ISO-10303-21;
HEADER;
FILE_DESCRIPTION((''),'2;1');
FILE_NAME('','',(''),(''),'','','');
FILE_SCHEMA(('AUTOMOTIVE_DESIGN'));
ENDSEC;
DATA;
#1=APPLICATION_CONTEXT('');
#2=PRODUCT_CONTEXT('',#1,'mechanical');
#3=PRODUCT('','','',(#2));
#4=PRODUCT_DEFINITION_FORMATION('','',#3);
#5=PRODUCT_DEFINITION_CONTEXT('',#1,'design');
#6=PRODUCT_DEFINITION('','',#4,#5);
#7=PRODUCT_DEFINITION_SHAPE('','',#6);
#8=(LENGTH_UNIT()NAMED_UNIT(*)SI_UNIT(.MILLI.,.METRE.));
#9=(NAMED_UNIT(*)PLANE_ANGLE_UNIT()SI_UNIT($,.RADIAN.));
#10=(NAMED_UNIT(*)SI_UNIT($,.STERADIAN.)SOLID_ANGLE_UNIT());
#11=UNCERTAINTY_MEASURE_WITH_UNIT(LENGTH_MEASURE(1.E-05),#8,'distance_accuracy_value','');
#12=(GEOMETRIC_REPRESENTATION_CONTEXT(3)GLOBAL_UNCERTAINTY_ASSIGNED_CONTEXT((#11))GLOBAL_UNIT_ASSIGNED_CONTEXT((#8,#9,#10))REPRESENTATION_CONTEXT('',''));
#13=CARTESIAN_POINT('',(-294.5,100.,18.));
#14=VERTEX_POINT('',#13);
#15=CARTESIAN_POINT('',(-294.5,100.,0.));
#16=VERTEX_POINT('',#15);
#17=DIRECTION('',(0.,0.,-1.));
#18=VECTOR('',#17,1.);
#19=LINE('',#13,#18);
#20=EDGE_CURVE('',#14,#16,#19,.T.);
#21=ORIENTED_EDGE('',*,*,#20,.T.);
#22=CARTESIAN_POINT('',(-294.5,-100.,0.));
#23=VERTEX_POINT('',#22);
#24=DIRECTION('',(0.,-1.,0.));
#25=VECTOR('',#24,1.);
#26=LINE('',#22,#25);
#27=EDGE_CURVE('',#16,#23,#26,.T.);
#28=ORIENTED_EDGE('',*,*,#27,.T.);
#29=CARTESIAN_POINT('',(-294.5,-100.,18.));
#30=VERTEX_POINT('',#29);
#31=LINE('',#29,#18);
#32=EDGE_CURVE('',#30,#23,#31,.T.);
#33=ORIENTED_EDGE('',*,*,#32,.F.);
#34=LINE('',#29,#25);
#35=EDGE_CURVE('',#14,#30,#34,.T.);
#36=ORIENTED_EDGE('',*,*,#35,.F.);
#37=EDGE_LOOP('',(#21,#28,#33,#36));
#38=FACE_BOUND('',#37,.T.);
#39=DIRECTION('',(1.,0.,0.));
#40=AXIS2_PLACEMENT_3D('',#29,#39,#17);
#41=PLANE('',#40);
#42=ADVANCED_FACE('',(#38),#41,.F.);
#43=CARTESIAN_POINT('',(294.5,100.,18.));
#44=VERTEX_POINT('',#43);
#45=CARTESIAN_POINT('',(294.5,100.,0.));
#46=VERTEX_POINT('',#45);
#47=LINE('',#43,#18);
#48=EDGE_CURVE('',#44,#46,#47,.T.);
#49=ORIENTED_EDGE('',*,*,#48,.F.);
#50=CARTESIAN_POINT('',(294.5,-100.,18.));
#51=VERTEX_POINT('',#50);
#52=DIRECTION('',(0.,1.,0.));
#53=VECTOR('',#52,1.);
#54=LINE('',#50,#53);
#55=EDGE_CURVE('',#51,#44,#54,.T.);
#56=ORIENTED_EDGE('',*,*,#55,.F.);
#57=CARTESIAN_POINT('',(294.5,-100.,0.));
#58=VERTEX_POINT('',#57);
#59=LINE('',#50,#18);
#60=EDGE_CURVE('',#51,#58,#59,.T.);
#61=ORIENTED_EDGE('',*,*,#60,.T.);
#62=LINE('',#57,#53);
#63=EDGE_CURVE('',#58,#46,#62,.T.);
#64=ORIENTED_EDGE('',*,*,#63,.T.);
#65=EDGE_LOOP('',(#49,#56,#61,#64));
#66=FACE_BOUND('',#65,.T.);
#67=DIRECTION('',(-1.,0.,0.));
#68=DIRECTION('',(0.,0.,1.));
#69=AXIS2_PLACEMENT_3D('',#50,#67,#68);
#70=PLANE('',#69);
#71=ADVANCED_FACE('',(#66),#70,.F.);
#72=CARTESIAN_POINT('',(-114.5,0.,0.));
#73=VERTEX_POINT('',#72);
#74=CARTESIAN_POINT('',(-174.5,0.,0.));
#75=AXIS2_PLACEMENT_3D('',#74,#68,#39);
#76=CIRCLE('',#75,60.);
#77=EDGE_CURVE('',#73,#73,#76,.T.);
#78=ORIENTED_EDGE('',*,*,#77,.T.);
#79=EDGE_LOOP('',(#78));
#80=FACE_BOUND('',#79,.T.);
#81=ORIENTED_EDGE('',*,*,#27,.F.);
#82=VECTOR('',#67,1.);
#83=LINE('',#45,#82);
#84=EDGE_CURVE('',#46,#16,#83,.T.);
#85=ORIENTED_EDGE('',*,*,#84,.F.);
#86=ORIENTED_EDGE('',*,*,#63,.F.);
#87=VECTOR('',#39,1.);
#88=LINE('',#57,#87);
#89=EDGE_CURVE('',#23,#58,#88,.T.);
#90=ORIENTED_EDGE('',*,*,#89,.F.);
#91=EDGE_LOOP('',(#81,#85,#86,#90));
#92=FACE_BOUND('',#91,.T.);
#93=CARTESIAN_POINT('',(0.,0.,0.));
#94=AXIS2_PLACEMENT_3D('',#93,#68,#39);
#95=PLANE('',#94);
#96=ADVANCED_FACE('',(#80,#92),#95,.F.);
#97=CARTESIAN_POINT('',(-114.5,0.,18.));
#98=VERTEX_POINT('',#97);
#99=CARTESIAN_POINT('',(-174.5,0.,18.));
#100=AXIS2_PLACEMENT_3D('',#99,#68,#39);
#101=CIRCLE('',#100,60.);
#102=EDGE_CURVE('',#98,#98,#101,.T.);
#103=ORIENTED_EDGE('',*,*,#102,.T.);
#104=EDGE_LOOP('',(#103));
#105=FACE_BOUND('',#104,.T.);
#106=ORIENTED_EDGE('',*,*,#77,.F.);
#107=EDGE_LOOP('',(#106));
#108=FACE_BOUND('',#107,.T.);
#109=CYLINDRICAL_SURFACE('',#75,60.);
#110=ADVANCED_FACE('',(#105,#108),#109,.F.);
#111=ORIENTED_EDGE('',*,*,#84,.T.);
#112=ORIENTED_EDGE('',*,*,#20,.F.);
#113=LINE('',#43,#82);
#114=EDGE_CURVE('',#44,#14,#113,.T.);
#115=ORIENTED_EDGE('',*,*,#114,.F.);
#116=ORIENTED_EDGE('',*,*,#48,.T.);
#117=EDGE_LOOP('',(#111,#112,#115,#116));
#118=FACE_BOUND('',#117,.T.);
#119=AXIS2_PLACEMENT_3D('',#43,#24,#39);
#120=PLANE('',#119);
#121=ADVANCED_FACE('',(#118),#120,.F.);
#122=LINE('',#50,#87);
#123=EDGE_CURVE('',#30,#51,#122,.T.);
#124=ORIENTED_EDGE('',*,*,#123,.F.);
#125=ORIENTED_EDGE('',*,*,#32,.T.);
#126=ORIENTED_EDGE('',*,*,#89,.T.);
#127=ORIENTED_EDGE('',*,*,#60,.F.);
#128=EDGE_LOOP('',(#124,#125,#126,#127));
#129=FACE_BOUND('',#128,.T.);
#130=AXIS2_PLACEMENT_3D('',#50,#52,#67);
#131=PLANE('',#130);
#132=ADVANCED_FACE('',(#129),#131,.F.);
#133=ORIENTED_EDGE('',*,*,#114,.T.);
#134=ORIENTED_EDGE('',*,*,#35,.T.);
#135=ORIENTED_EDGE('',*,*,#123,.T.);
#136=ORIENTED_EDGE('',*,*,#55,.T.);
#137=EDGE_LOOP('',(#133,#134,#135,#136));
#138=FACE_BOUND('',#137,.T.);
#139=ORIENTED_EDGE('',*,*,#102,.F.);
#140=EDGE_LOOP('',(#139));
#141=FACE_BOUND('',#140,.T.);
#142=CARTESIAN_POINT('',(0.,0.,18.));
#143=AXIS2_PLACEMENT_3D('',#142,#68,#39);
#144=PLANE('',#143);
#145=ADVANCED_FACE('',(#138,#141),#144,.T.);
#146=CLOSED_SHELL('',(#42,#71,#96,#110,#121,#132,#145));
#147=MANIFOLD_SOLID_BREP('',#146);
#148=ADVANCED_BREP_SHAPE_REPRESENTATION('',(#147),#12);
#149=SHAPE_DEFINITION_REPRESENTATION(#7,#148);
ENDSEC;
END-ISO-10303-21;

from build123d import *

# Parameters (mm, degrees)
SKETCH_1_W          = 589
SKETCH_1_H          = 200
EXTRUDE_1_DEPTH     = 18
SKETCH_2_R          = 60
CUT_EXTRUDE_1_DEPTH = 19


with BuildPart() as part:
    # Эскиз1 → Бобышка-Вытянуть1 (new body)
    with BuildSketch(Plane.XY):
        Rectangle(SKETCH_1_W, SKETCH_1_H)
    extrude(amount=EXTRUDE_1_DEPTH)

    # Эскиз2 → Вырез-Вытянуть1 (cut, through all)
    with BuildSketch(Plane.XY.offset(18)):
        with Locations((-174.5, 0)):
            Circle(SKETCH_2_R)
    extrude(amount=-CUT_EXTRUDE_1_DEPTH, mode=Mode.SUBTRACT)


solid = part.part
